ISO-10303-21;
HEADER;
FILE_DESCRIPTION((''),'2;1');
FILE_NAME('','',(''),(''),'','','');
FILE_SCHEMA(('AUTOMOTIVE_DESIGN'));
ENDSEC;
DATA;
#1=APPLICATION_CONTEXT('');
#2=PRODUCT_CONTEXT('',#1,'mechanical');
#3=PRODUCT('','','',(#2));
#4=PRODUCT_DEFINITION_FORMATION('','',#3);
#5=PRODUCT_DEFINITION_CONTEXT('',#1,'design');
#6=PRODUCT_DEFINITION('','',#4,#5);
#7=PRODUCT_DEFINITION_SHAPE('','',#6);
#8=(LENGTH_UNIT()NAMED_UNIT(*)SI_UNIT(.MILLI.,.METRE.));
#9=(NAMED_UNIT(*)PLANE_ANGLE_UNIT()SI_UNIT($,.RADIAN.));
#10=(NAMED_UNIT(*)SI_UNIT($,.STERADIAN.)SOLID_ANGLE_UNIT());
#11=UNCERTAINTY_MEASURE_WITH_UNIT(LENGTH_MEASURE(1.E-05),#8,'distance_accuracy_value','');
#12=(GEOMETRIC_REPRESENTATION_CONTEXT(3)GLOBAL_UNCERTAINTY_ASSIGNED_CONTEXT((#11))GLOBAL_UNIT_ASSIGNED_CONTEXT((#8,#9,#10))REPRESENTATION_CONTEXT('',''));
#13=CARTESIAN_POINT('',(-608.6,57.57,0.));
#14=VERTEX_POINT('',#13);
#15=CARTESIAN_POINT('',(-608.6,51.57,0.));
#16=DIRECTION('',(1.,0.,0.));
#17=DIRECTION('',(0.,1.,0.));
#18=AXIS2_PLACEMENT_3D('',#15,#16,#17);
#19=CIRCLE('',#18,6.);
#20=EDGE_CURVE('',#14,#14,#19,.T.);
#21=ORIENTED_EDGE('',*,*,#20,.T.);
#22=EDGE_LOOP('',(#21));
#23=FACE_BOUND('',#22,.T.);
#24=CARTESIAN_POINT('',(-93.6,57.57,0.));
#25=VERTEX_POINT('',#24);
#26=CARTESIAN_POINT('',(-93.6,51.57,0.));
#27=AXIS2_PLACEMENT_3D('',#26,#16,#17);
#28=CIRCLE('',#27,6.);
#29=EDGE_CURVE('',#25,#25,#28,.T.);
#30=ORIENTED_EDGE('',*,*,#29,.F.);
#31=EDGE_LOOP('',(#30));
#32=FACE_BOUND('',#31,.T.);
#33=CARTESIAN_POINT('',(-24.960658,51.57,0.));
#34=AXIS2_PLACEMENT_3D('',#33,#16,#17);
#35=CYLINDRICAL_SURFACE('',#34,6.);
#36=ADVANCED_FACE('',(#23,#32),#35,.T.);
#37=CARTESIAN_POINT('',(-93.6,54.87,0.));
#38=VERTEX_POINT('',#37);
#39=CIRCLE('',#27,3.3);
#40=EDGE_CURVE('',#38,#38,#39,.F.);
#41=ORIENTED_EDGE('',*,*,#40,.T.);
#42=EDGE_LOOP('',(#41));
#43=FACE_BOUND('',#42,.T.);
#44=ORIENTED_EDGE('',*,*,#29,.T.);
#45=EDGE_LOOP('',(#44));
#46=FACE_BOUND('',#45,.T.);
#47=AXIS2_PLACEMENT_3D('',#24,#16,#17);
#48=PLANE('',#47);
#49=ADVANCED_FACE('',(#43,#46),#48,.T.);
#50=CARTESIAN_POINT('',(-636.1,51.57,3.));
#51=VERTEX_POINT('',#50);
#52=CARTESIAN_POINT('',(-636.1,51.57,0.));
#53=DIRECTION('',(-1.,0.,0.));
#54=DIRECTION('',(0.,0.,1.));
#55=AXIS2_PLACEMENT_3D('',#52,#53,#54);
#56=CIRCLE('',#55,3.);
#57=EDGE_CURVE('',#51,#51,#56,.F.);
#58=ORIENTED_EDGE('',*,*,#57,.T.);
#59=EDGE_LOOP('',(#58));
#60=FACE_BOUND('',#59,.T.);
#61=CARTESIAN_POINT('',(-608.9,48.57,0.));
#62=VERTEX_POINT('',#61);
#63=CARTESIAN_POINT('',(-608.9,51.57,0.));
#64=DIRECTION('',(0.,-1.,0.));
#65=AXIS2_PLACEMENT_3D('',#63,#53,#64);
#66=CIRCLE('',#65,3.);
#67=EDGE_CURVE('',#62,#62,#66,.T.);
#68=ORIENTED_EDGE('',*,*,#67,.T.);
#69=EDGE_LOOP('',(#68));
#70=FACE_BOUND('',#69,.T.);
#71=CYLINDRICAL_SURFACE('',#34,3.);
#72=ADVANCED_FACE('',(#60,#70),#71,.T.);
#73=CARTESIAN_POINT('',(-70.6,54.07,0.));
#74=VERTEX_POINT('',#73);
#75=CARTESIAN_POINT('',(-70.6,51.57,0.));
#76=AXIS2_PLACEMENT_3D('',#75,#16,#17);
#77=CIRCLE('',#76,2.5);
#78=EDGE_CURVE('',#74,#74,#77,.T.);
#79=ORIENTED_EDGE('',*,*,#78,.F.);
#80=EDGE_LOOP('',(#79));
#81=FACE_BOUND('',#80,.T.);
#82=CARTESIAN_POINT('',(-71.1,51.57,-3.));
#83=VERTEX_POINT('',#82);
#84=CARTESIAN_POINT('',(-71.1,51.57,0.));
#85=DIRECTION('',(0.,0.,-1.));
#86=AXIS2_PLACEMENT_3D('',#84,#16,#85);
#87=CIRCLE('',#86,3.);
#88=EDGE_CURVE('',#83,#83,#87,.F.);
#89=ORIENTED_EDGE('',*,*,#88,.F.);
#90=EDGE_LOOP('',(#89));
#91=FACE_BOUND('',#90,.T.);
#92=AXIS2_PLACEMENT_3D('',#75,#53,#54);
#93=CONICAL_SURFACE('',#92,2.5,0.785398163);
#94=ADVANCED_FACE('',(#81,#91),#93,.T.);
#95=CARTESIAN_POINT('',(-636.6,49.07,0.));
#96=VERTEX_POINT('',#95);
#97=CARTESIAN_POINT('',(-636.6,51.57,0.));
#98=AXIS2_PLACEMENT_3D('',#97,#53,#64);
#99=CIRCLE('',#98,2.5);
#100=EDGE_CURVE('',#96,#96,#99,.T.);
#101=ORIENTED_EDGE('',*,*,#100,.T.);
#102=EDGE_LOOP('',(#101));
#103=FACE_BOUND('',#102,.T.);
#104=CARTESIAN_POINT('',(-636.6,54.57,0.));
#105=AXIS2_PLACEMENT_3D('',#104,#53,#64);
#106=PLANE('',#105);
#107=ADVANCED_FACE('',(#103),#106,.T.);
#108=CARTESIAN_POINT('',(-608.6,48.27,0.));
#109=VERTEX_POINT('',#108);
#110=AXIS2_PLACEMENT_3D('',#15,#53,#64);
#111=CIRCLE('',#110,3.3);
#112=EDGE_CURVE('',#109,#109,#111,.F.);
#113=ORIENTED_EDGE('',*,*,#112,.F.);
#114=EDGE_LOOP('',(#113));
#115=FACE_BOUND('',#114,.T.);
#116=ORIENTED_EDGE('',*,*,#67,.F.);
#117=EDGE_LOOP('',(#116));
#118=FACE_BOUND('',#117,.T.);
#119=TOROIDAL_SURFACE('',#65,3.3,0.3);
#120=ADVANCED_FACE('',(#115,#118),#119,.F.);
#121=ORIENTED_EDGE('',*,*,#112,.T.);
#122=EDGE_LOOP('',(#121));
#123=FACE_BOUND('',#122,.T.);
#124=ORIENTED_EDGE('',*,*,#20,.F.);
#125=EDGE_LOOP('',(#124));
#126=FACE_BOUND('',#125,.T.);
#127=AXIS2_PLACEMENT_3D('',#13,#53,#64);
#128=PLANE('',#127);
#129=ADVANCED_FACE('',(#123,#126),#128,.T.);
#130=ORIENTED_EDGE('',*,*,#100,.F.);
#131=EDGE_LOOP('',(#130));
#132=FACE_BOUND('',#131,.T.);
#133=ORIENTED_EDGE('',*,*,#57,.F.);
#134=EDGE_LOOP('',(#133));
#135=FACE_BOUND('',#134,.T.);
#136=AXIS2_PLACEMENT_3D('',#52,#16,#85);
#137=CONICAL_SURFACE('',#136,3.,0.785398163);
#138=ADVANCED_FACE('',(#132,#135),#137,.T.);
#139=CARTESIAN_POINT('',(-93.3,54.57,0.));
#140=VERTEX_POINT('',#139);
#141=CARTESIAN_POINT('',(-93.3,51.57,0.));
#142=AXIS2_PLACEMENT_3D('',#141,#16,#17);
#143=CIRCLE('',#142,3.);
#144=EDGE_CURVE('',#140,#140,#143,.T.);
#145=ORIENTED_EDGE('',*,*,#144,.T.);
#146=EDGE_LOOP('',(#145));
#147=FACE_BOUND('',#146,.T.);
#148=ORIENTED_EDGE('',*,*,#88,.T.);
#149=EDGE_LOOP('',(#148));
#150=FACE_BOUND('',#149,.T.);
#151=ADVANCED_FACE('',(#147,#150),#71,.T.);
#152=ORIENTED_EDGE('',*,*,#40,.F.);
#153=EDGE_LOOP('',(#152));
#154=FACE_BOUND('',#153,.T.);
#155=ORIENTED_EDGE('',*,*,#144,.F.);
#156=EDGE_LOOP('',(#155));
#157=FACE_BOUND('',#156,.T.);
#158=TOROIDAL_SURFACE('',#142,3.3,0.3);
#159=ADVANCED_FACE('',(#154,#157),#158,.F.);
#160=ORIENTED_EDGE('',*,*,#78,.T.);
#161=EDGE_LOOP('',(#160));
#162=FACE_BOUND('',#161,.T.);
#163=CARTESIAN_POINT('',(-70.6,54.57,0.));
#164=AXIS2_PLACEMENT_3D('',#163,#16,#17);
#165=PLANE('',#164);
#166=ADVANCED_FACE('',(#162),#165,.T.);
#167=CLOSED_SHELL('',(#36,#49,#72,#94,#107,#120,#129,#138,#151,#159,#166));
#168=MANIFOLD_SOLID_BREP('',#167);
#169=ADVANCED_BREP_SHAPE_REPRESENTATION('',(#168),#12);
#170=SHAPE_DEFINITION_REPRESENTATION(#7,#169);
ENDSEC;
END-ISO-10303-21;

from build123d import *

# Parameters (mm, degrees)
CHAMFER1_SIZE = 0.5
FILLET1_R     = 0.3


with BuildPart() as part:
    # Sketch1 → Revolve1 (revolve)
    with BuildSketch(Plane.XY):
        Polygon((-608.6, 54.57), (-636.6, 54.57), (-636.6, 51.57), (-70.6, 51.57), (-70.6, 54.57), (-93.6, 54.57), (-93.6, 57.57), (-608.6, 57.57), align=None)
    revolve(axis=Axis((-24.960657764, 51.57, 0), (-1, 0, 0)))

    # Chamfer1
    chamfer1_edges = [part.edges().sort_by_distance(p)[0] for p in [
        (-70.6, 48.57, 0),
        (-636.6, 48.57, 0),
    ]]
    chamfer(chamfer1_edges, length=CHAMFER1_SIZE)

    # Fillet1
    fillet1_edges = [part.edges().sort_by_distance(p)[0] for p in [
        (-93.6, 48.57, 0),
        (-608.6, 48.57, 0),
    ]]
    fillet(fillet1_edges, radius=FILLET1_R)


solid = part.part
